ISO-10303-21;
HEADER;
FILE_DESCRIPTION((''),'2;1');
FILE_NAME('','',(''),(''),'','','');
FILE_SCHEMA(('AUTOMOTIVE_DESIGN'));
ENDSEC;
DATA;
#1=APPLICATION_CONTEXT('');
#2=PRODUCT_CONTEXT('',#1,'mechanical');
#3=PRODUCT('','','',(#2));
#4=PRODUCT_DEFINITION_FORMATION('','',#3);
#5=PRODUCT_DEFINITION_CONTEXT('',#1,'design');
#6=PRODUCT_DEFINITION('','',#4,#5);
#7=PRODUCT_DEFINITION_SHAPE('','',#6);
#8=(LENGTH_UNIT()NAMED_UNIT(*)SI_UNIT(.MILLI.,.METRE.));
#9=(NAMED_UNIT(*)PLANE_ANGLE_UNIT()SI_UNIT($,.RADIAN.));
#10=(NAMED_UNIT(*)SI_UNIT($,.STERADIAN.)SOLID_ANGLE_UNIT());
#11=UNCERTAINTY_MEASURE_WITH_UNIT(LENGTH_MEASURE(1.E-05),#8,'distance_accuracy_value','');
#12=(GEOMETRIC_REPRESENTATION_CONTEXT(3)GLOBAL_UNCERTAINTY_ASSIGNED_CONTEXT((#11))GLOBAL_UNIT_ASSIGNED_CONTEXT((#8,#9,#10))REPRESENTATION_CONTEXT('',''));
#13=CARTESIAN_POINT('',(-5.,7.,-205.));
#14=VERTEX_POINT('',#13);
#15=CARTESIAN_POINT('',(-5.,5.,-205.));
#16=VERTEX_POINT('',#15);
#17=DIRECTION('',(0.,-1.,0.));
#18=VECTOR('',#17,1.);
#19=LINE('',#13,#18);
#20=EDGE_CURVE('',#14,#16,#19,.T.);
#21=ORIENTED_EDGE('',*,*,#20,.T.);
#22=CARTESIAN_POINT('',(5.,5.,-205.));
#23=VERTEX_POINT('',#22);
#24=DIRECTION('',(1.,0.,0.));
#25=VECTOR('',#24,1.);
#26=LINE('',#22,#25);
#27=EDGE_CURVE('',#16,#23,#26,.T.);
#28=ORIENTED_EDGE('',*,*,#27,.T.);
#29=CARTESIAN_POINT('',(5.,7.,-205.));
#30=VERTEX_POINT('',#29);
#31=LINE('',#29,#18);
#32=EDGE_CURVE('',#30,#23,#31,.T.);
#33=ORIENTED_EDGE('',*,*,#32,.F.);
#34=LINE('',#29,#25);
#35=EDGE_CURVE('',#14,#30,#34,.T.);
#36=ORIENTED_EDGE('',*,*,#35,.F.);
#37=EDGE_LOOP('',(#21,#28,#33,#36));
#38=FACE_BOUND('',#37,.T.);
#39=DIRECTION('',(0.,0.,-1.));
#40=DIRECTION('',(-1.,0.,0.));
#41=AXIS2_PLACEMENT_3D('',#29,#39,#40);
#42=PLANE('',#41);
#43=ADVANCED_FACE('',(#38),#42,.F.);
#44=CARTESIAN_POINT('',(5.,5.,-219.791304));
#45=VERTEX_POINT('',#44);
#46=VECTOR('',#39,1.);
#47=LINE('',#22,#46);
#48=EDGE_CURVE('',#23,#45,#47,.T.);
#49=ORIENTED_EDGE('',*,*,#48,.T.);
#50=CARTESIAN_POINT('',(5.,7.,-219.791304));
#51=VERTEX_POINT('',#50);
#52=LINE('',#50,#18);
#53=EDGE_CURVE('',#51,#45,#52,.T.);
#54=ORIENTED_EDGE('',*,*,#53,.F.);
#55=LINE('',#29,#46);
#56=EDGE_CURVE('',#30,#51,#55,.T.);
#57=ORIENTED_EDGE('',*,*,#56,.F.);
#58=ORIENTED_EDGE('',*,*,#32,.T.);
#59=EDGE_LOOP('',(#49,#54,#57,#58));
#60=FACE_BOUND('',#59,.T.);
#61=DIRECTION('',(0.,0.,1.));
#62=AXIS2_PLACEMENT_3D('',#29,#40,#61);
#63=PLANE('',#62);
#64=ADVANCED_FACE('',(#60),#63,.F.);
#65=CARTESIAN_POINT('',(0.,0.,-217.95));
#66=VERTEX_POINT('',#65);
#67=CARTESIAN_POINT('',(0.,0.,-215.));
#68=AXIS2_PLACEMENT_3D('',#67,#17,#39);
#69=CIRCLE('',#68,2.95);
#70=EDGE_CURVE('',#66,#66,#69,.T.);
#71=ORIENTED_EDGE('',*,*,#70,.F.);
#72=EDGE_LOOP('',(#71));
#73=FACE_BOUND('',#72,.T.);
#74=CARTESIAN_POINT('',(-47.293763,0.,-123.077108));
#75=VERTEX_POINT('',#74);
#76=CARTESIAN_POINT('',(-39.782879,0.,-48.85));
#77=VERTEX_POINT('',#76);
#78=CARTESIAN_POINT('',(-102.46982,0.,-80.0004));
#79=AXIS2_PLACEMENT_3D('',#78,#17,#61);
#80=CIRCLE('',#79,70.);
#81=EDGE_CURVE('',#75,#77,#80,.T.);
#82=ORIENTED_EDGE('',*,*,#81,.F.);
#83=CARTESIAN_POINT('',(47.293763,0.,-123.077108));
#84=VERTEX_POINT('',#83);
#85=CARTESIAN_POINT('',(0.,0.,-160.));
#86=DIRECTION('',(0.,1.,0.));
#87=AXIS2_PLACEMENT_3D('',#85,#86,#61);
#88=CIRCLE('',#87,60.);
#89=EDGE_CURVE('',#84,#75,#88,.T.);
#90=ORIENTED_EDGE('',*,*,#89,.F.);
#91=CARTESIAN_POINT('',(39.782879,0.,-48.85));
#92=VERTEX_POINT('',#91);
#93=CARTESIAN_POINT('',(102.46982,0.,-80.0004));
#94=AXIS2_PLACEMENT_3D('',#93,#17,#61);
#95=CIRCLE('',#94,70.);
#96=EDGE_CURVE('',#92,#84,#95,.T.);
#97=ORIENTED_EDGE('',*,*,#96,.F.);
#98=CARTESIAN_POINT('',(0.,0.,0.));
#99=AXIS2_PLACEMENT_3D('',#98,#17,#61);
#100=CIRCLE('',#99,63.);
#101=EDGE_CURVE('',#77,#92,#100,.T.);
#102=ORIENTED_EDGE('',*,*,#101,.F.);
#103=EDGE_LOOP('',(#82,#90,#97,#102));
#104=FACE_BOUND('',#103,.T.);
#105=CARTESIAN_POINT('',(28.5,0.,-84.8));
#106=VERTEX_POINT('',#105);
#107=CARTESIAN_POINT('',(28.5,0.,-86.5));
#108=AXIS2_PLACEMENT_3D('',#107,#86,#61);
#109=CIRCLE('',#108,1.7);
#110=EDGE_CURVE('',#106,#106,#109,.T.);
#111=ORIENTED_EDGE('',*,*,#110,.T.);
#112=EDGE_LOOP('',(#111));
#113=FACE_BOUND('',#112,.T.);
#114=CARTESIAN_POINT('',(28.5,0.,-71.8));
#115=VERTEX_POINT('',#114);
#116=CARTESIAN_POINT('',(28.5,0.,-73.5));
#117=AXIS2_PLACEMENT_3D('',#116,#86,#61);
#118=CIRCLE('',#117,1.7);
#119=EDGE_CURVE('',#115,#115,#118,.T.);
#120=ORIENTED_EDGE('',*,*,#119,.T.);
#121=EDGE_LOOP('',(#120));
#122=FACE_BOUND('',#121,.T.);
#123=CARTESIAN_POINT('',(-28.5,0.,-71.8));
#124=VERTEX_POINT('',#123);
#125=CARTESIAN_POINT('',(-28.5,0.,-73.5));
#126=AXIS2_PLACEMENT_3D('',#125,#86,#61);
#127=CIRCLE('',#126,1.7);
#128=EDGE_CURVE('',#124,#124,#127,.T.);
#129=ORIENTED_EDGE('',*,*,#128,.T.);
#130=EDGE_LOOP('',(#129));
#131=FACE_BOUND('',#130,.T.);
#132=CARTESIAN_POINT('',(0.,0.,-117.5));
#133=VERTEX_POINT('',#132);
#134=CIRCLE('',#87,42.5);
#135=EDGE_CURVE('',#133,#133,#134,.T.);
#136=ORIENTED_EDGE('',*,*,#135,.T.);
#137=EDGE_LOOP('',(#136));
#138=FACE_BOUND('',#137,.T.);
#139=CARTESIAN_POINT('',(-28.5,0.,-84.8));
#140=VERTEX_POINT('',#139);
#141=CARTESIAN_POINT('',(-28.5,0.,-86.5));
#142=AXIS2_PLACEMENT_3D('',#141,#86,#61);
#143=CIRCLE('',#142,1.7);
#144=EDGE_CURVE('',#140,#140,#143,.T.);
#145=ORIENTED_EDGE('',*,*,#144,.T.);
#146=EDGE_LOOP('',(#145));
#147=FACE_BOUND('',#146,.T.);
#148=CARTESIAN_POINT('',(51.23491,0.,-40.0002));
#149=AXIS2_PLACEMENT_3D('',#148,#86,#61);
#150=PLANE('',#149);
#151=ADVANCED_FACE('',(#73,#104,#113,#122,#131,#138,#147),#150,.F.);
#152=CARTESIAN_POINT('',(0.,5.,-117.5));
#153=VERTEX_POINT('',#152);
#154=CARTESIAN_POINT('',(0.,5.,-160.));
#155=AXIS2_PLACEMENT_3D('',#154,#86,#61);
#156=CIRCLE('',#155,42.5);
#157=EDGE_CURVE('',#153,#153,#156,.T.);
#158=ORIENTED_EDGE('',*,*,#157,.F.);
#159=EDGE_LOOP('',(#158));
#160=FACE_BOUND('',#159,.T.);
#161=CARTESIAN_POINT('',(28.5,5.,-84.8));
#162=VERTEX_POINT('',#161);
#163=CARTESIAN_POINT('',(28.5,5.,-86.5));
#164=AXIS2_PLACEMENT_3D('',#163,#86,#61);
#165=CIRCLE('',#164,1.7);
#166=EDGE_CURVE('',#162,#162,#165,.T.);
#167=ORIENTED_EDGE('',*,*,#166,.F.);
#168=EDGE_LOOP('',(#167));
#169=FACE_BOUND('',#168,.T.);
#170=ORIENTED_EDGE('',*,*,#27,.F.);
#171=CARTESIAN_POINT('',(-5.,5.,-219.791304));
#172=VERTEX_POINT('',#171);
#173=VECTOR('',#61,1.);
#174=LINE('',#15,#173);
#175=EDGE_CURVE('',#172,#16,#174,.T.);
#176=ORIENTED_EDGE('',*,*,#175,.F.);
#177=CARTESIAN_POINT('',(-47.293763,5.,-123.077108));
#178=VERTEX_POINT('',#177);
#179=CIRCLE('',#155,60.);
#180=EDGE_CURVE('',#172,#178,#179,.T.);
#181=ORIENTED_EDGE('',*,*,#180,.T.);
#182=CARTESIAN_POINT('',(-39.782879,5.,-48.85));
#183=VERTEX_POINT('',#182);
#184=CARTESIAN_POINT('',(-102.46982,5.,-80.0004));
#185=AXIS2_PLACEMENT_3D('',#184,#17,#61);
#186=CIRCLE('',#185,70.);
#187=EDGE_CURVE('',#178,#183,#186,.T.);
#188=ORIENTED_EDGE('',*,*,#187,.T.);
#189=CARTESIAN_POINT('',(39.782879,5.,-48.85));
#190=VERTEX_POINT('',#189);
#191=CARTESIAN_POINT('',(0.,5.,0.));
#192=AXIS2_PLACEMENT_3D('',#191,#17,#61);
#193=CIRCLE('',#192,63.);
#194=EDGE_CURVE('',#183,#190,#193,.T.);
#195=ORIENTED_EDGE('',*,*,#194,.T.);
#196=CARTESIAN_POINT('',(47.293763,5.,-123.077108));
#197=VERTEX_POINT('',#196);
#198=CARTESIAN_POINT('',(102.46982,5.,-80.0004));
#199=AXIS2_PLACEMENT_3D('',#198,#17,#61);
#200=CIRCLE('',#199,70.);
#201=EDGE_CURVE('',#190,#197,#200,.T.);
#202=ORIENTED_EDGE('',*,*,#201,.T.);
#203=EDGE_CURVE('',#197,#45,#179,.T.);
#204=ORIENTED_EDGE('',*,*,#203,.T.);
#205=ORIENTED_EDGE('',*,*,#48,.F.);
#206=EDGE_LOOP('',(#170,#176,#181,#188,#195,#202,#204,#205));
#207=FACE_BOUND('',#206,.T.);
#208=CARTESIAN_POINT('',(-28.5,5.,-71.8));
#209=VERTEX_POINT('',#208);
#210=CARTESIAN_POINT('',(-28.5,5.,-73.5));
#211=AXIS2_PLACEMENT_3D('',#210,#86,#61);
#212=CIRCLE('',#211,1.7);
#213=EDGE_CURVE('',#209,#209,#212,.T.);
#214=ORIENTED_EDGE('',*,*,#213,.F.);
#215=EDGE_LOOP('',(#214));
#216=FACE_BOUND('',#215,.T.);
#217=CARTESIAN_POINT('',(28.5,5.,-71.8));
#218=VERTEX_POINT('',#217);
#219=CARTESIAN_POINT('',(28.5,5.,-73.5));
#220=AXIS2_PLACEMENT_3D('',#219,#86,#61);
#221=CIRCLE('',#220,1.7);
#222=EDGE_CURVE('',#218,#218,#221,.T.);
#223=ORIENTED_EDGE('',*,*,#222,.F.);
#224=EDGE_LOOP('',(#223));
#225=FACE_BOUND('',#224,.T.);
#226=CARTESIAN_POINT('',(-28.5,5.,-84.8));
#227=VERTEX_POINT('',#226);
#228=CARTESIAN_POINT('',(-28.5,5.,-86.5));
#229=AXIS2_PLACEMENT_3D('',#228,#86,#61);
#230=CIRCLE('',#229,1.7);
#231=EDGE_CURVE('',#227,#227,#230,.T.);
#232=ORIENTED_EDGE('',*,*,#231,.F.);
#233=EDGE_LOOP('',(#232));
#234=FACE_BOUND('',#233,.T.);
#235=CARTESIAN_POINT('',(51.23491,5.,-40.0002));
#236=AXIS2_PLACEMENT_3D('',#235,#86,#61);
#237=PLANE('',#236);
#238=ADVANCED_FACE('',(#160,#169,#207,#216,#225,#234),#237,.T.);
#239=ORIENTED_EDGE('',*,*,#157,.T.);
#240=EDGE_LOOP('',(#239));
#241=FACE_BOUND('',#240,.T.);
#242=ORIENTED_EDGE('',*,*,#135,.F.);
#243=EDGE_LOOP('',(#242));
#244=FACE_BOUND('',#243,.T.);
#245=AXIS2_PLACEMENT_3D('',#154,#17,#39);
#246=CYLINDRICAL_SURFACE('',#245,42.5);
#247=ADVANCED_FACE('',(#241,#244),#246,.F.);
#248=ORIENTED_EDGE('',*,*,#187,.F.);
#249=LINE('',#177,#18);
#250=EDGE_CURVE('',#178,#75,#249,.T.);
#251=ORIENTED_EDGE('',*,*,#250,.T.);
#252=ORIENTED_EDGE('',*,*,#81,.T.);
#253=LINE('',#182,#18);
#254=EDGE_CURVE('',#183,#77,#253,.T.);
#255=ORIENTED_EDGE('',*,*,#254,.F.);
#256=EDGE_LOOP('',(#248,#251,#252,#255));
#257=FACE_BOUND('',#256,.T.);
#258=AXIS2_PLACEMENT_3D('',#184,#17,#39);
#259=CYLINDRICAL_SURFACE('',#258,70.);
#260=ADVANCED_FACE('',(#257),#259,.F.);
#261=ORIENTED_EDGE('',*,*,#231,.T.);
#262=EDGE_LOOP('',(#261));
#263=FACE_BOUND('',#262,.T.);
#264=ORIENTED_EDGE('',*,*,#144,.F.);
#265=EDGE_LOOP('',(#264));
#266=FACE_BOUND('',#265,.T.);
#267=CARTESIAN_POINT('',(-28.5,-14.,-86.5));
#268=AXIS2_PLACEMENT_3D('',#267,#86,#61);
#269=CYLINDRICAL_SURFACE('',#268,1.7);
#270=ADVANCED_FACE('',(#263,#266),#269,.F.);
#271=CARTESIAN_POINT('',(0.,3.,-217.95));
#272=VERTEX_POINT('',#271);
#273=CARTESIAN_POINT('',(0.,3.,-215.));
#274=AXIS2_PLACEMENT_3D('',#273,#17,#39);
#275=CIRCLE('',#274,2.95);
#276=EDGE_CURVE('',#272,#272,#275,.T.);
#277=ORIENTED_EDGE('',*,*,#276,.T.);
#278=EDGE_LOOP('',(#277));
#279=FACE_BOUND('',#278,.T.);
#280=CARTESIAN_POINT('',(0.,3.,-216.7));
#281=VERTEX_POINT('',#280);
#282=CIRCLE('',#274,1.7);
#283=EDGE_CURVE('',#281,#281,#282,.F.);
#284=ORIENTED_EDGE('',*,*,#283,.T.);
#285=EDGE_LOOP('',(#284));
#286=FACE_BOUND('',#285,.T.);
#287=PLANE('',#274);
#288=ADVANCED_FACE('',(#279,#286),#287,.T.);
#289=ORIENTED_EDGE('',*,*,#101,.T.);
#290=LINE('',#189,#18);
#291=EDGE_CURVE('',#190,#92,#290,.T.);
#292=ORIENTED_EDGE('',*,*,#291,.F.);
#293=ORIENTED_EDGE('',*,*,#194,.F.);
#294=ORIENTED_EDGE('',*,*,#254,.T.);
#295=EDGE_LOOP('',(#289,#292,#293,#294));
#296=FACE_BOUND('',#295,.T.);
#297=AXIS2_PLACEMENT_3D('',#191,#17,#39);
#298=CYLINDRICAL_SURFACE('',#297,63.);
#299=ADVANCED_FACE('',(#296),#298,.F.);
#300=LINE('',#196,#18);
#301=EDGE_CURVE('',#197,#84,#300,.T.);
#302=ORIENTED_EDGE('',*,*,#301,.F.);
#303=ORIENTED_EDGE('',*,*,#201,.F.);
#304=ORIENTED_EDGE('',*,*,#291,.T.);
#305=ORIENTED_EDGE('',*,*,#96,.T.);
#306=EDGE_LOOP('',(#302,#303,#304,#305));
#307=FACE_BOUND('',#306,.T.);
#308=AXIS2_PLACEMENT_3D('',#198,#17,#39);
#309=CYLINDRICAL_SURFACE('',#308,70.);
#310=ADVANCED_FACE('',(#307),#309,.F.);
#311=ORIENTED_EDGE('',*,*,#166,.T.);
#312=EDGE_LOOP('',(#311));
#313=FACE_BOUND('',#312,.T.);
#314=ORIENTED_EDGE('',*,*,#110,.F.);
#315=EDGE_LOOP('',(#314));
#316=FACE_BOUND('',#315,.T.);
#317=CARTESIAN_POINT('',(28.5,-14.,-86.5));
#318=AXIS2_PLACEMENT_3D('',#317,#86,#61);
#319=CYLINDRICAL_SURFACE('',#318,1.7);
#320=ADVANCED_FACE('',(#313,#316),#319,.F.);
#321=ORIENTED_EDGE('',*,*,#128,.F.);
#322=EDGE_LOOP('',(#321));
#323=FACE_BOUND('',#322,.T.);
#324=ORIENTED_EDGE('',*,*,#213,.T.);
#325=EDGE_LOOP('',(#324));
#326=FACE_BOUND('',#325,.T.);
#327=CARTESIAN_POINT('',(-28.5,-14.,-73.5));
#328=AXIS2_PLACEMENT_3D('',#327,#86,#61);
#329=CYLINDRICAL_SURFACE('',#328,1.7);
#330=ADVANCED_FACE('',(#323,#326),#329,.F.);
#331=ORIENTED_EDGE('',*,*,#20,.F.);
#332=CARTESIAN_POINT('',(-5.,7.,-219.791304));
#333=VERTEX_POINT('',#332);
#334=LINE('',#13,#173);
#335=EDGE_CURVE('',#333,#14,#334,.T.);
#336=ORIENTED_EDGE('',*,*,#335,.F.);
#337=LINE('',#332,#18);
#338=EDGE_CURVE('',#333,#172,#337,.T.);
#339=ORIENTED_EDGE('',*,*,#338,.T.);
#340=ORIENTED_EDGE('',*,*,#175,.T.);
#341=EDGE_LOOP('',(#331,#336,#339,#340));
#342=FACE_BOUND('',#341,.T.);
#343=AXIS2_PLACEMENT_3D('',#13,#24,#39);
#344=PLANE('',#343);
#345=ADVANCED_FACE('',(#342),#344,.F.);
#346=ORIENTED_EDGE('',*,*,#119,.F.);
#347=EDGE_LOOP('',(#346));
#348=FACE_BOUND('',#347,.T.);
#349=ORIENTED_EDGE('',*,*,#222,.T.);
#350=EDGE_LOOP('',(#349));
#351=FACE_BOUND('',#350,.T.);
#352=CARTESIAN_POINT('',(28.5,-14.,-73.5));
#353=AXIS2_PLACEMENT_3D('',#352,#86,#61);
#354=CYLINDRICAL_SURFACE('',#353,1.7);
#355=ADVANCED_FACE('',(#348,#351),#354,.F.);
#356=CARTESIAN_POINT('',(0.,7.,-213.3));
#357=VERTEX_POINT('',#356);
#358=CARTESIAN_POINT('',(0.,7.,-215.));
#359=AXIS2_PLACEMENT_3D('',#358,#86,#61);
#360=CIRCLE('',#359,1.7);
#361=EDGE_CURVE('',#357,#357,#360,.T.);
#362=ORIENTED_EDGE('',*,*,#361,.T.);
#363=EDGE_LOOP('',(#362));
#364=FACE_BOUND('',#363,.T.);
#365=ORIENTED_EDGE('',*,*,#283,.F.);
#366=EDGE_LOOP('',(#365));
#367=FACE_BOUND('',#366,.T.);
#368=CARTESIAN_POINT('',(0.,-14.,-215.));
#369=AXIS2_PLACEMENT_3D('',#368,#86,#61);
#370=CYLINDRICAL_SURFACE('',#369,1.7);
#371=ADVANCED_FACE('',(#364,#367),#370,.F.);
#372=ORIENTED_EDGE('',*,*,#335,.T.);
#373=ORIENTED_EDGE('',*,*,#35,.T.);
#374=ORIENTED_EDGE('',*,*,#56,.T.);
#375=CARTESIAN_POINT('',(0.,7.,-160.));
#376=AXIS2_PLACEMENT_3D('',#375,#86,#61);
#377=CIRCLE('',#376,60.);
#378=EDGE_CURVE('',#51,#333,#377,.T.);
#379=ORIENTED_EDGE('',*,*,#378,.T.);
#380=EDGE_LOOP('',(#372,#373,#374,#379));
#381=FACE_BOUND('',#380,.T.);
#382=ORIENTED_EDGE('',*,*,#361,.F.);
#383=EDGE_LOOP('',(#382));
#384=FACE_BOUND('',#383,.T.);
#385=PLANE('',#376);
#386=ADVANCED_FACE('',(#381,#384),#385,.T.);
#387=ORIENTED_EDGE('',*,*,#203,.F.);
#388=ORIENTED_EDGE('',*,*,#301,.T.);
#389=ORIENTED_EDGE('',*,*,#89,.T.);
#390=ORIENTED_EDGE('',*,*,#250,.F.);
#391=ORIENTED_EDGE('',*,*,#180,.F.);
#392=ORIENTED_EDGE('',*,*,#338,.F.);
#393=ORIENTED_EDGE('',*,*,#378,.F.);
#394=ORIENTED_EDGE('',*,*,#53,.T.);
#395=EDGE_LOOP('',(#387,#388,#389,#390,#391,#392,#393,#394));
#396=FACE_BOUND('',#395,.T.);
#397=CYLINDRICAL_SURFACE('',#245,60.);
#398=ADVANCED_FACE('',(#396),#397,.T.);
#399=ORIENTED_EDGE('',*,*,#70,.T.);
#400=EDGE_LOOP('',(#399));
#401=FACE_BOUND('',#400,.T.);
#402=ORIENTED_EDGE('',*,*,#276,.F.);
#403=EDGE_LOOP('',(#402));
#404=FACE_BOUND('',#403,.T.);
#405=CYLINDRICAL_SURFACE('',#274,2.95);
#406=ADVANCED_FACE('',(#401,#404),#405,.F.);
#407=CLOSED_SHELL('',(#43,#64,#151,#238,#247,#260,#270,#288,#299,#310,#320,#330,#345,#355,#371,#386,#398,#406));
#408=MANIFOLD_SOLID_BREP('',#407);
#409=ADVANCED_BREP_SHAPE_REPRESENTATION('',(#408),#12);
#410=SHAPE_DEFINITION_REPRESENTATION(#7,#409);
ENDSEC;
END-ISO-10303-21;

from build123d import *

# Parameters (mm, degrees)
CROQUIS1_R              = 42.5
SALIENTE_EXTRUIR1_DEPTH = 5
SALIENTE_EXTRUIR2_DEPTH = 2
CROQUIS3_R              = 1.7
CORTAR_EXTRUIR1_DEPTH   = 21
CROQUIS4_R              = 2.95
CORTAR_EXTRUIR2_DEPTH   = 3


with BuildPart() as part:
    # Croquis1 → Saliente-Extruir1 (new body)
    with BuildSketch(Plane(origin=(0, 0, 0), x_dir=(1, 0, 0), z_dir=(0, 1, 0))):
        with BuildLine():
            ThreePointArc((39.782879484, 48.85), (0, 63), (-39.782879484, 48.85))
            ThreePointArc((-39.782879484, 48.85), (-32.82545617, 87.047566078), (-47.293763221, 123.077107909))
            ThreePointArc((-47.293763221, 123.077107909), (0, 220), (47.293763221, 123.077107909))
            ThreePointArc((47.293763221, 123.077107909), (32.82545617, 87.047566078), (39.782879484, 48.85))
        make_face()
        with Locations((0, 160)):
            Circle(CROQUIS1_R, mode=Mode.SUBTRACT)
    extrude(amount=SALIENTE_EXTRUIR1_DEPTH)

    # Croquis2 → Saliente-Extruir2 (add)
    with BuildSketch(Plane(origin=(0, 5, 0), x_dir=(1, 0, 0), z_dir=(0, 1, 0))):
        with BuildLine():
            Line((5, 205), (-5, 205))
            Line((-5, 205), (-5, 219.791303716))
            ThreePointArc((-5, 219.791303716), (0, 220), (5, 219.791303716))
            Line((5, 219.791303716), (5, 205))
        make_face()
    extrude(amount=SALIENTE_EXTRUIR2_DEPTH)

    # Croquis3 → Cortar-Extruir1 (cut)
    with BuildSketch(Plane(origin=(0, 7, 0), x_dir=(1, 0, 0), z_dir=(0, 1, 0))):
        with Locations((0, 215)):
            Circle(CROQUIS3_R)
        with Locations((-28.5, 86.5)):
            Circle(CROQUIS3_R)
        with Locations((-28.5, 73.5)):
            Circle(CROQUIS3_R)
        with Locations((28.5, 73.5)):
            Circle(CROQUIS3_R)
        with Locations((28.5, 86.5)):
            Circle(CROQUIS3_R)
    extrude(amount=-CORTAR_EXTRUIR1_DEPTH, mode=Mode.SUBTRACT)

    # Croquis4 → Cortar-Extruir2 (cut)
    with BuildSketch(Plane.XZ):
        with Locations((0, -215)):
            Circle(CROQUIS4_R)
    extrude(amount=-CORTAR_EXTRUIR2_DEPTH, mode=Mode.SUBTRACT)


solid = part.part
